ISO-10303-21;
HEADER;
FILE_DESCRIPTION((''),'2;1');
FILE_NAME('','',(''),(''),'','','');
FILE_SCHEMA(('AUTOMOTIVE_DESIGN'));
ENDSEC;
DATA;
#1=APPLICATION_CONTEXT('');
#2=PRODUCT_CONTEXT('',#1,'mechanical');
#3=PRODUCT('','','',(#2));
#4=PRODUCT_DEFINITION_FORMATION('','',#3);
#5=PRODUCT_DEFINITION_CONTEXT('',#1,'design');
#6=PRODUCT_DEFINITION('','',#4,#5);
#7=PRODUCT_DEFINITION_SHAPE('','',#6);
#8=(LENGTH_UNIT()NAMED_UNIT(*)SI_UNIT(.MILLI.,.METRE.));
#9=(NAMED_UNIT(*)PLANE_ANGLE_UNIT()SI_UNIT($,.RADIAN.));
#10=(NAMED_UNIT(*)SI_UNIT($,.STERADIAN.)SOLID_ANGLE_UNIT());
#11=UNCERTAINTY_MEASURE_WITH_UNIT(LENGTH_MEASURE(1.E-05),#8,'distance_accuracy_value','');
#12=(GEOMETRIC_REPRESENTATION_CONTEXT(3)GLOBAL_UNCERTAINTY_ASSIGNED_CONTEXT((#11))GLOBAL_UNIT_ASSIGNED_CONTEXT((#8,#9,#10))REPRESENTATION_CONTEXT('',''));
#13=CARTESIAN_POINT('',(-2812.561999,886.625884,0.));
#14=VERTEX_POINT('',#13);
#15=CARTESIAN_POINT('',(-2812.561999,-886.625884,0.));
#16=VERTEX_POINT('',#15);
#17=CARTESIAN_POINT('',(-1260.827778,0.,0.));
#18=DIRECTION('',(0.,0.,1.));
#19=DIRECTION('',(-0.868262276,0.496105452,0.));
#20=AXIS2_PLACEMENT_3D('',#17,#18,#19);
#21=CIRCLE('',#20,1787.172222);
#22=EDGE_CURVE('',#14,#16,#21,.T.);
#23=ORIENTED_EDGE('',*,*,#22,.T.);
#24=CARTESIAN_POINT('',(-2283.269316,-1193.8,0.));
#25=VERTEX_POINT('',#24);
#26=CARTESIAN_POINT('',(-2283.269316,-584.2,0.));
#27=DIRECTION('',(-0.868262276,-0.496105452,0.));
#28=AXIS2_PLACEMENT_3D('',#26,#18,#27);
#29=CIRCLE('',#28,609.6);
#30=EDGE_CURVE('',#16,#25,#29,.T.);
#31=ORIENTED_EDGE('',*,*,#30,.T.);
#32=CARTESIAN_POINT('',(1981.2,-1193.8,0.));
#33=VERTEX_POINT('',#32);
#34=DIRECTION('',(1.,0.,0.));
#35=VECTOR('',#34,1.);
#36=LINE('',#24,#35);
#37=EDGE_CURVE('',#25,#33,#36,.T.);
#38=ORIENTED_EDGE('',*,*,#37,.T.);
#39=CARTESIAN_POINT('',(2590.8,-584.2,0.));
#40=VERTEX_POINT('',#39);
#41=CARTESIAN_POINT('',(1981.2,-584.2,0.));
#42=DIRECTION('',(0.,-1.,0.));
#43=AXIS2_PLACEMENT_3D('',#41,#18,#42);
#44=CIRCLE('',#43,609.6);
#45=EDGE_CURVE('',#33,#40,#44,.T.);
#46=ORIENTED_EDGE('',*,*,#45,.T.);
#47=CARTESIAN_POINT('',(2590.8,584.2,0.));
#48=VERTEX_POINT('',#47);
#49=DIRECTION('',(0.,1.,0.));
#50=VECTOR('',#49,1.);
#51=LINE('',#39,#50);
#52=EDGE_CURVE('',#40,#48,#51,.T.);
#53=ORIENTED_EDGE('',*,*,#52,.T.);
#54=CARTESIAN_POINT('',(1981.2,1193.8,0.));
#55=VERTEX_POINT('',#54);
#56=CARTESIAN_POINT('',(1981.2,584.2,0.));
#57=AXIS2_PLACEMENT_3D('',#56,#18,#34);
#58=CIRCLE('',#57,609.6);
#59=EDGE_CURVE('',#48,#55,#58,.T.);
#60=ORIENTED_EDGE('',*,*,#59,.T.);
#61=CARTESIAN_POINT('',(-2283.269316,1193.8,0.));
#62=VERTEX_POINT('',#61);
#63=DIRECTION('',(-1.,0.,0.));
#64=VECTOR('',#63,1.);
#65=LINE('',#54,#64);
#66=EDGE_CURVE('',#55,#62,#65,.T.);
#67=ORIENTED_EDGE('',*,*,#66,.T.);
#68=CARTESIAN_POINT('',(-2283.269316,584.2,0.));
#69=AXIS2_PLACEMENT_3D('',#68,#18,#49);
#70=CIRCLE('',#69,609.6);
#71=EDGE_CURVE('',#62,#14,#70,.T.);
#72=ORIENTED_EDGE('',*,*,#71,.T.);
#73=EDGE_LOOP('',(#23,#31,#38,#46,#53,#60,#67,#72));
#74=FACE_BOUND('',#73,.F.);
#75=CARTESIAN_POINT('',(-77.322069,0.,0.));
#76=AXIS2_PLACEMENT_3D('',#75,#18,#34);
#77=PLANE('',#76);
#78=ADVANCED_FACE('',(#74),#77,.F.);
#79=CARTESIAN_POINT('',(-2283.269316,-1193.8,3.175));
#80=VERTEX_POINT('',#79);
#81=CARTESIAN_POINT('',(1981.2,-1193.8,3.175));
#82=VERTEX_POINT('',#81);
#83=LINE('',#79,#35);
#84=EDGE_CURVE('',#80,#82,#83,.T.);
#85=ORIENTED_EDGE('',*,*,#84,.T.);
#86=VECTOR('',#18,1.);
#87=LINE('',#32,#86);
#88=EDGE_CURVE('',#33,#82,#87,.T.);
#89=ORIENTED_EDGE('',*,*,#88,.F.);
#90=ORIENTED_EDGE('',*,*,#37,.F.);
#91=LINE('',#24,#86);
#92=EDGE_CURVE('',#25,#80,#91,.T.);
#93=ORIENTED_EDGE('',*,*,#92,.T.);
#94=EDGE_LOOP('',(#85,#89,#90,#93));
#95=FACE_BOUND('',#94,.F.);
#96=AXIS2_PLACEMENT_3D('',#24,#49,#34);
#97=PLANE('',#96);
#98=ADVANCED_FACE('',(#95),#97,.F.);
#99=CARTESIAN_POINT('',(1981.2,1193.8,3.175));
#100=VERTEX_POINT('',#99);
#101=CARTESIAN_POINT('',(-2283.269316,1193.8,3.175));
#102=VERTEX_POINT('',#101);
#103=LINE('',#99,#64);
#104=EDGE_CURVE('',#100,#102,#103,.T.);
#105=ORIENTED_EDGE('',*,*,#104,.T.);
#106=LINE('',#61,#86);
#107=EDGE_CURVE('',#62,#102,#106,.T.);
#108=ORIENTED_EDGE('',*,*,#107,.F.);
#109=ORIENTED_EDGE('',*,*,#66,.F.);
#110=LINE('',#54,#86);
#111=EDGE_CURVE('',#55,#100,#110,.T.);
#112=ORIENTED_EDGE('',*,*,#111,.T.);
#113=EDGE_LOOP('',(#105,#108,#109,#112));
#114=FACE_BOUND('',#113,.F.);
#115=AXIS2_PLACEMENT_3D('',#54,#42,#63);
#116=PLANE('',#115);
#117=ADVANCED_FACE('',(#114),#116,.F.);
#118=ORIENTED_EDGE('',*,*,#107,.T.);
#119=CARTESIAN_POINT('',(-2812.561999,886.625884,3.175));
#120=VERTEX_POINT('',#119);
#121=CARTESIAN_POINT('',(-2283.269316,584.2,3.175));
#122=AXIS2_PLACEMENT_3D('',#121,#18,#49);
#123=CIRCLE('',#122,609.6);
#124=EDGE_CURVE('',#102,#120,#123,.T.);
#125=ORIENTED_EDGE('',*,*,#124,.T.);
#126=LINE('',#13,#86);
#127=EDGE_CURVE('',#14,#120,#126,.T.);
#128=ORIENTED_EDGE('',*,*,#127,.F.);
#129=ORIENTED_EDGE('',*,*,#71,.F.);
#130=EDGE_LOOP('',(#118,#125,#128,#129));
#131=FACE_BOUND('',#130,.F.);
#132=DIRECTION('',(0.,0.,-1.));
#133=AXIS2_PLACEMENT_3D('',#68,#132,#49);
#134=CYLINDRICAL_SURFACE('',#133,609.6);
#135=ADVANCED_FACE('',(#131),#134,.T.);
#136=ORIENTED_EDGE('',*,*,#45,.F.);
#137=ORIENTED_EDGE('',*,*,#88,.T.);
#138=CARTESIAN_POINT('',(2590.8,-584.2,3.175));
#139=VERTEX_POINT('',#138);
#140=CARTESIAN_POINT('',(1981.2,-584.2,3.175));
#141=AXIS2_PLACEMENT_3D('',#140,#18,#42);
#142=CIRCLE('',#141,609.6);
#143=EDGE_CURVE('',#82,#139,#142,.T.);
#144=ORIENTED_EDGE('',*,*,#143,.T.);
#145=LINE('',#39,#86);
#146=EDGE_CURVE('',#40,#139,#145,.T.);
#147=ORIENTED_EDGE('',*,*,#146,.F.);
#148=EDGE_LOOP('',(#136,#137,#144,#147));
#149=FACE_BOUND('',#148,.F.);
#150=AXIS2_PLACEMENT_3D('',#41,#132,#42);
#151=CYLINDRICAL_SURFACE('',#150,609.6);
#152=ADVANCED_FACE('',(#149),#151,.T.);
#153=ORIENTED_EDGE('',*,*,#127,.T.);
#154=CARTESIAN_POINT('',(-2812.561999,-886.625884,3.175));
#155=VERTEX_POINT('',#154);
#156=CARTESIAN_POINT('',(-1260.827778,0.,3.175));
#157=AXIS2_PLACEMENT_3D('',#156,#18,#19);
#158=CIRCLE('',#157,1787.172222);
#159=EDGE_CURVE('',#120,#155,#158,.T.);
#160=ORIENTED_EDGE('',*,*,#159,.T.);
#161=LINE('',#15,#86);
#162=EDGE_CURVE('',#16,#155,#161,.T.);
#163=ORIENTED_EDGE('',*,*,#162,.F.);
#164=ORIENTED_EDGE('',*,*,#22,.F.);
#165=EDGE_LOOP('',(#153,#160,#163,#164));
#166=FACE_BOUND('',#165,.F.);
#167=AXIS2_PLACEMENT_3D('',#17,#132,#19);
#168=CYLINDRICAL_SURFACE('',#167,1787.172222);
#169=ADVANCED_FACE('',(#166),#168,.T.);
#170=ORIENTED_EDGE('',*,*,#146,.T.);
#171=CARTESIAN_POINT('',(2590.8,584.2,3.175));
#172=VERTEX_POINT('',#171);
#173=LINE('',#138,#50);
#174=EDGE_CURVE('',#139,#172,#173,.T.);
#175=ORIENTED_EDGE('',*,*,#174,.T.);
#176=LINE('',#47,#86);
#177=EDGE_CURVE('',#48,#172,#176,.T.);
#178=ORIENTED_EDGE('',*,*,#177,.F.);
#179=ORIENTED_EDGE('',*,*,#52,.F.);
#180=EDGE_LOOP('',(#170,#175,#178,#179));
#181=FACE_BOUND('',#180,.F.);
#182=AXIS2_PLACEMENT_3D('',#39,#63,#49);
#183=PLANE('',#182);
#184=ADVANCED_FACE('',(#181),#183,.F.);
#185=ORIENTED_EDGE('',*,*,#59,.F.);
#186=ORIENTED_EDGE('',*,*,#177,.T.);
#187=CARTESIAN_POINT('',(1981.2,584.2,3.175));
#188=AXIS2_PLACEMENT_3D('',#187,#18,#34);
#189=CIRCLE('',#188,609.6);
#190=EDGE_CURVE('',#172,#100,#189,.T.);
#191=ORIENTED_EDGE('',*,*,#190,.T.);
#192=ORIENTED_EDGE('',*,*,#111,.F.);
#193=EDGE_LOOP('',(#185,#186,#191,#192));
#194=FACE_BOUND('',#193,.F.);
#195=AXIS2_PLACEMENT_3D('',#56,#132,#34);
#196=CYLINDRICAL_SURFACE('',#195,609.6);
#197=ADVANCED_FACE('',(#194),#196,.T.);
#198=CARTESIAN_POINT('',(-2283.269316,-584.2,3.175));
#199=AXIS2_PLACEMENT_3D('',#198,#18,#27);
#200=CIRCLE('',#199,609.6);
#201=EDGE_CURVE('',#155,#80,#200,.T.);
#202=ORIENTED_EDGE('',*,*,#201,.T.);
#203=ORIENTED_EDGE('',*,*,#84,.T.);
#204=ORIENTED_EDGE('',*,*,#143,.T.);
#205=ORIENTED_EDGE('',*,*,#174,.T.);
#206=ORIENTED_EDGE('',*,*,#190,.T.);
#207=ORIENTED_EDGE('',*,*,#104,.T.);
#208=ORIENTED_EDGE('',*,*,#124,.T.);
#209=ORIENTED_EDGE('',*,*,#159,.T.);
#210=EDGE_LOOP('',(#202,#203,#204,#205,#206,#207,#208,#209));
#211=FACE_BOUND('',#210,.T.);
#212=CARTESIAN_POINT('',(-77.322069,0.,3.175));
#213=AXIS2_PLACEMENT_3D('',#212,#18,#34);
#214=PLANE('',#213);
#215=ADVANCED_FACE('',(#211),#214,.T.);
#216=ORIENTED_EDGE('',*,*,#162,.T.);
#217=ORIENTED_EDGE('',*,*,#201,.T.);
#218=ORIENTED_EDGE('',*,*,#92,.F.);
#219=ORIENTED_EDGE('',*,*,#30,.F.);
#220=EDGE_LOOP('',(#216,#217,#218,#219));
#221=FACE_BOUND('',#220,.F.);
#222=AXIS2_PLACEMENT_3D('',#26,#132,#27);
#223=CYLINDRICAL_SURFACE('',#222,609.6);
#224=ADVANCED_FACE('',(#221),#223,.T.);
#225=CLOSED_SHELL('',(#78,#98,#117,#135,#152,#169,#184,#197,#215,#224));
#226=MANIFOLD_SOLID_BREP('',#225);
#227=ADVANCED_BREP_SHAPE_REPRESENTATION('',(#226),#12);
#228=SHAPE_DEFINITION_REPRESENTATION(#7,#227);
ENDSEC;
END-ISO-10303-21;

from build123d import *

# Parameters (mm, degrees)
F1_DEPTH = 3.175


with BuildPart() as f1:
    # F0 (on Top) → F1 (new body)
    with BuildSketch(Plane.XY):
        with BuildLine():
            Line((1981.2, 1193.8), (-2283.2693157394, 1193.8))
            ThreePointArc((-2283.2693157394, 1193.8), (-2442.570003458, 1172.6177520201), (-2590.8, 1110.5430803556))
            Line((-2590.8, 1110.5430803556), (-2590.8, -1110.5430803556))
            ThreePointArc((-2590.8, -1110.5430803556), (-2442.570003458, -1172.6177520201), (-2283.2693157394, -1193.8))
            Line((-2283.2693157394, -1193.8), (1981.2, -1193.8))
            ThreePointArc((1981.2, -1193.8), (2412.2522938113, -1015.2522938113), (2590.8, -584.2))
            Line((2590.8, -584.2), (2590.8, 584.2))
            ThreePointArc((2590.8, 584.2), (2412.2522938113, 1015.2522938113), (1981.2, 1193.8))
        make_face()
        with BuildLine():
            Line((-2590.8, -1110.5430803556), (-2590.8, 1110.5430803556))
            ThreePointArc((-2590.8, 1110.5430803556), (-2716.4010104345, 1013.1628131326), (-2812.5619992618, 886.6258837627))
            ThreePointArc((-2812.5619992618, 886.6258837627), (-3048, 0), (-2812.5619992618, -886.6258837627))
            ThreePointArc((-2812.5619992618, -886.6258837627), (-2716.4010104345, -1013.1628131326), (-2590.8, -1110.5430803556))
        make_face()
    extrude(amount=F1_DEPTH)


solid = f1.part
